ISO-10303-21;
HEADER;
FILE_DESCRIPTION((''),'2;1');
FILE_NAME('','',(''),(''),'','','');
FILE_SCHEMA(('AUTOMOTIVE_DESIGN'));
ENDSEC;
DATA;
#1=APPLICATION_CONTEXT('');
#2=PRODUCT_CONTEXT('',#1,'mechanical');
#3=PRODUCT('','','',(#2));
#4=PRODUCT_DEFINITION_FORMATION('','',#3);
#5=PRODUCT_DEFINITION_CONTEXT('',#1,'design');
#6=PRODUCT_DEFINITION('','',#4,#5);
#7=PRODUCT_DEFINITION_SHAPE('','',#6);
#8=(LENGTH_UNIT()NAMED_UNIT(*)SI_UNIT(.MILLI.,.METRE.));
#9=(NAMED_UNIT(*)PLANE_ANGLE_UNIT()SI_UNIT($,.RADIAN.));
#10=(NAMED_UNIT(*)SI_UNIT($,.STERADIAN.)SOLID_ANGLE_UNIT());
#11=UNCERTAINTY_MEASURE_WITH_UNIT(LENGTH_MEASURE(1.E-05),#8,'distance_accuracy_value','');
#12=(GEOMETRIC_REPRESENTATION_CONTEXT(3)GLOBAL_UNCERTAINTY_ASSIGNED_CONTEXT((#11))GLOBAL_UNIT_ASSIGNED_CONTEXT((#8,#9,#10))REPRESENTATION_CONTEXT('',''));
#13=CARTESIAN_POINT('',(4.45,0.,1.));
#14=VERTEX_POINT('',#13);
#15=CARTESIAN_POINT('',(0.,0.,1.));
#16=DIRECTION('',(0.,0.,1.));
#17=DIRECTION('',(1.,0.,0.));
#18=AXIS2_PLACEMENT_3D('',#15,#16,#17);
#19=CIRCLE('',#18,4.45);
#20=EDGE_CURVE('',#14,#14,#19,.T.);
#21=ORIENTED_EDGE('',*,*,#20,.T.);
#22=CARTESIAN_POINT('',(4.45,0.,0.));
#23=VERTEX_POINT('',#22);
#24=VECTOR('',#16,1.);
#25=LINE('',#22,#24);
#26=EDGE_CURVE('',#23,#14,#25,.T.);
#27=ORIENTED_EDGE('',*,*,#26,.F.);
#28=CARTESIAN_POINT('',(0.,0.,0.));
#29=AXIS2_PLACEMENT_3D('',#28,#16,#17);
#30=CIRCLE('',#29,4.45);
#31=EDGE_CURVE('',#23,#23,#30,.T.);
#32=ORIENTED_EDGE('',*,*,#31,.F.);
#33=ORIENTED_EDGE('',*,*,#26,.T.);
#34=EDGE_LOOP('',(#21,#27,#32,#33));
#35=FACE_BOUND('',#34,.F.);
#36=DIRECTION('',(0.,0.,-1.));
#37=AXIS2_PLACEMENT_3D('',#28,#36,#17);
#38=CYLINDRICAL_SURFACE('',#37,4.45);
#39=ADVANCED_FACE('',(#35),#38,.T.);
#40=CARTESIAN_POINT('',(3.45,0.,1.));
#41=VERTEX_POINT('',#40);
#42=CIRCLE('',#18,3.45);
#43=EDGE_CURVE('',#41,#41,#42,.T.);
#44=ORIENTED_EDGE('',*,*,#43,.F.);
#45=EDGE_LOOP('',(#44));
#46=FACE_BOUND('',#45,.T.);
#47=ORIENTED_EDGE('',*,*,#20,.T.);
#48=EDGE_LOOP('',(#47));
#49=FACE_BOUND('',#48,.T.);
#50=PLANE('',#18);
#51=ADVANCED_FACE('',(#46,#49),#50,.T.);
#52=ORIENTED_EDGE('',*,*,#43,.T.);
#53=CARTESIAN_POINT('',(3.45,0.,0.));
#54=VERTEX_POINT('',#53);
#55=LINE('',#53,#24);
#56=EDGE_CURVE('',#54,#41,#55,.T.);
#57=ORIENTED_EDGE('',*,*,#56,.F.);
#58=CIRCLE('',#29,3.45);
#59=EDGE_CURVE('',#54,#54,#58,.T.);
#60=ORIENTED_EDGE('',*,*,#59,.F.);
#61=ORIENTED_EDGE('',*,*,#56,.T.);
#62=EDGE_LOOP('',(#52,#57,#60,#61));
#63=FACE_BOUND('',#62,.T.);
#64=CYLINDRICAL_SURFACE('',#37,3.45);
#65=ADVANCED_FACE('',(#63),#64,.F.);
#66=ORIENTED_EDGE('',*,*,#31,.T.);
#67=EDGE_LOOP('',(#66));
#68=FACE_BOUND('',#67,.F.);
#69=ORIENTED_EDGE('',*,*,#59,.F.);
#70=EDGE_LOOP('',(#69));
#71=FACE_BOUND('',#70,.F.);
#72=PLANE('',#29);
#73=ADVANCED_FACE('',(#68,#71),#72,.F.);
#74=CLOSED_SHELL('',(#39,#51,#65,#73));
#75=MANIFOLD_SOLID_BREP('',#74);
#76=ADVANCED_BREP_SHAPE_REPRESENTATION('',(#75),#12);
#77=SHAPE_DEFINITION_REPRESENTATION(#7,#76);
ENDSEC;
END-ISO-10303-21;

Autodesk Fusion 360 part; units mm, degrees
sketch "Sketch1" plane through (0, 0, 0) normal (0, 0, 1) x (1, 0, 0)
  circle A0 centre (0, 0) radius 3.45
  circle A1 centre (0, 0) radius 4.45
  dimension "d1" = 6.9
  dimension "d2" = 1
extrude "Extrude1" add sketch "Sketch1" along normal blind 1
